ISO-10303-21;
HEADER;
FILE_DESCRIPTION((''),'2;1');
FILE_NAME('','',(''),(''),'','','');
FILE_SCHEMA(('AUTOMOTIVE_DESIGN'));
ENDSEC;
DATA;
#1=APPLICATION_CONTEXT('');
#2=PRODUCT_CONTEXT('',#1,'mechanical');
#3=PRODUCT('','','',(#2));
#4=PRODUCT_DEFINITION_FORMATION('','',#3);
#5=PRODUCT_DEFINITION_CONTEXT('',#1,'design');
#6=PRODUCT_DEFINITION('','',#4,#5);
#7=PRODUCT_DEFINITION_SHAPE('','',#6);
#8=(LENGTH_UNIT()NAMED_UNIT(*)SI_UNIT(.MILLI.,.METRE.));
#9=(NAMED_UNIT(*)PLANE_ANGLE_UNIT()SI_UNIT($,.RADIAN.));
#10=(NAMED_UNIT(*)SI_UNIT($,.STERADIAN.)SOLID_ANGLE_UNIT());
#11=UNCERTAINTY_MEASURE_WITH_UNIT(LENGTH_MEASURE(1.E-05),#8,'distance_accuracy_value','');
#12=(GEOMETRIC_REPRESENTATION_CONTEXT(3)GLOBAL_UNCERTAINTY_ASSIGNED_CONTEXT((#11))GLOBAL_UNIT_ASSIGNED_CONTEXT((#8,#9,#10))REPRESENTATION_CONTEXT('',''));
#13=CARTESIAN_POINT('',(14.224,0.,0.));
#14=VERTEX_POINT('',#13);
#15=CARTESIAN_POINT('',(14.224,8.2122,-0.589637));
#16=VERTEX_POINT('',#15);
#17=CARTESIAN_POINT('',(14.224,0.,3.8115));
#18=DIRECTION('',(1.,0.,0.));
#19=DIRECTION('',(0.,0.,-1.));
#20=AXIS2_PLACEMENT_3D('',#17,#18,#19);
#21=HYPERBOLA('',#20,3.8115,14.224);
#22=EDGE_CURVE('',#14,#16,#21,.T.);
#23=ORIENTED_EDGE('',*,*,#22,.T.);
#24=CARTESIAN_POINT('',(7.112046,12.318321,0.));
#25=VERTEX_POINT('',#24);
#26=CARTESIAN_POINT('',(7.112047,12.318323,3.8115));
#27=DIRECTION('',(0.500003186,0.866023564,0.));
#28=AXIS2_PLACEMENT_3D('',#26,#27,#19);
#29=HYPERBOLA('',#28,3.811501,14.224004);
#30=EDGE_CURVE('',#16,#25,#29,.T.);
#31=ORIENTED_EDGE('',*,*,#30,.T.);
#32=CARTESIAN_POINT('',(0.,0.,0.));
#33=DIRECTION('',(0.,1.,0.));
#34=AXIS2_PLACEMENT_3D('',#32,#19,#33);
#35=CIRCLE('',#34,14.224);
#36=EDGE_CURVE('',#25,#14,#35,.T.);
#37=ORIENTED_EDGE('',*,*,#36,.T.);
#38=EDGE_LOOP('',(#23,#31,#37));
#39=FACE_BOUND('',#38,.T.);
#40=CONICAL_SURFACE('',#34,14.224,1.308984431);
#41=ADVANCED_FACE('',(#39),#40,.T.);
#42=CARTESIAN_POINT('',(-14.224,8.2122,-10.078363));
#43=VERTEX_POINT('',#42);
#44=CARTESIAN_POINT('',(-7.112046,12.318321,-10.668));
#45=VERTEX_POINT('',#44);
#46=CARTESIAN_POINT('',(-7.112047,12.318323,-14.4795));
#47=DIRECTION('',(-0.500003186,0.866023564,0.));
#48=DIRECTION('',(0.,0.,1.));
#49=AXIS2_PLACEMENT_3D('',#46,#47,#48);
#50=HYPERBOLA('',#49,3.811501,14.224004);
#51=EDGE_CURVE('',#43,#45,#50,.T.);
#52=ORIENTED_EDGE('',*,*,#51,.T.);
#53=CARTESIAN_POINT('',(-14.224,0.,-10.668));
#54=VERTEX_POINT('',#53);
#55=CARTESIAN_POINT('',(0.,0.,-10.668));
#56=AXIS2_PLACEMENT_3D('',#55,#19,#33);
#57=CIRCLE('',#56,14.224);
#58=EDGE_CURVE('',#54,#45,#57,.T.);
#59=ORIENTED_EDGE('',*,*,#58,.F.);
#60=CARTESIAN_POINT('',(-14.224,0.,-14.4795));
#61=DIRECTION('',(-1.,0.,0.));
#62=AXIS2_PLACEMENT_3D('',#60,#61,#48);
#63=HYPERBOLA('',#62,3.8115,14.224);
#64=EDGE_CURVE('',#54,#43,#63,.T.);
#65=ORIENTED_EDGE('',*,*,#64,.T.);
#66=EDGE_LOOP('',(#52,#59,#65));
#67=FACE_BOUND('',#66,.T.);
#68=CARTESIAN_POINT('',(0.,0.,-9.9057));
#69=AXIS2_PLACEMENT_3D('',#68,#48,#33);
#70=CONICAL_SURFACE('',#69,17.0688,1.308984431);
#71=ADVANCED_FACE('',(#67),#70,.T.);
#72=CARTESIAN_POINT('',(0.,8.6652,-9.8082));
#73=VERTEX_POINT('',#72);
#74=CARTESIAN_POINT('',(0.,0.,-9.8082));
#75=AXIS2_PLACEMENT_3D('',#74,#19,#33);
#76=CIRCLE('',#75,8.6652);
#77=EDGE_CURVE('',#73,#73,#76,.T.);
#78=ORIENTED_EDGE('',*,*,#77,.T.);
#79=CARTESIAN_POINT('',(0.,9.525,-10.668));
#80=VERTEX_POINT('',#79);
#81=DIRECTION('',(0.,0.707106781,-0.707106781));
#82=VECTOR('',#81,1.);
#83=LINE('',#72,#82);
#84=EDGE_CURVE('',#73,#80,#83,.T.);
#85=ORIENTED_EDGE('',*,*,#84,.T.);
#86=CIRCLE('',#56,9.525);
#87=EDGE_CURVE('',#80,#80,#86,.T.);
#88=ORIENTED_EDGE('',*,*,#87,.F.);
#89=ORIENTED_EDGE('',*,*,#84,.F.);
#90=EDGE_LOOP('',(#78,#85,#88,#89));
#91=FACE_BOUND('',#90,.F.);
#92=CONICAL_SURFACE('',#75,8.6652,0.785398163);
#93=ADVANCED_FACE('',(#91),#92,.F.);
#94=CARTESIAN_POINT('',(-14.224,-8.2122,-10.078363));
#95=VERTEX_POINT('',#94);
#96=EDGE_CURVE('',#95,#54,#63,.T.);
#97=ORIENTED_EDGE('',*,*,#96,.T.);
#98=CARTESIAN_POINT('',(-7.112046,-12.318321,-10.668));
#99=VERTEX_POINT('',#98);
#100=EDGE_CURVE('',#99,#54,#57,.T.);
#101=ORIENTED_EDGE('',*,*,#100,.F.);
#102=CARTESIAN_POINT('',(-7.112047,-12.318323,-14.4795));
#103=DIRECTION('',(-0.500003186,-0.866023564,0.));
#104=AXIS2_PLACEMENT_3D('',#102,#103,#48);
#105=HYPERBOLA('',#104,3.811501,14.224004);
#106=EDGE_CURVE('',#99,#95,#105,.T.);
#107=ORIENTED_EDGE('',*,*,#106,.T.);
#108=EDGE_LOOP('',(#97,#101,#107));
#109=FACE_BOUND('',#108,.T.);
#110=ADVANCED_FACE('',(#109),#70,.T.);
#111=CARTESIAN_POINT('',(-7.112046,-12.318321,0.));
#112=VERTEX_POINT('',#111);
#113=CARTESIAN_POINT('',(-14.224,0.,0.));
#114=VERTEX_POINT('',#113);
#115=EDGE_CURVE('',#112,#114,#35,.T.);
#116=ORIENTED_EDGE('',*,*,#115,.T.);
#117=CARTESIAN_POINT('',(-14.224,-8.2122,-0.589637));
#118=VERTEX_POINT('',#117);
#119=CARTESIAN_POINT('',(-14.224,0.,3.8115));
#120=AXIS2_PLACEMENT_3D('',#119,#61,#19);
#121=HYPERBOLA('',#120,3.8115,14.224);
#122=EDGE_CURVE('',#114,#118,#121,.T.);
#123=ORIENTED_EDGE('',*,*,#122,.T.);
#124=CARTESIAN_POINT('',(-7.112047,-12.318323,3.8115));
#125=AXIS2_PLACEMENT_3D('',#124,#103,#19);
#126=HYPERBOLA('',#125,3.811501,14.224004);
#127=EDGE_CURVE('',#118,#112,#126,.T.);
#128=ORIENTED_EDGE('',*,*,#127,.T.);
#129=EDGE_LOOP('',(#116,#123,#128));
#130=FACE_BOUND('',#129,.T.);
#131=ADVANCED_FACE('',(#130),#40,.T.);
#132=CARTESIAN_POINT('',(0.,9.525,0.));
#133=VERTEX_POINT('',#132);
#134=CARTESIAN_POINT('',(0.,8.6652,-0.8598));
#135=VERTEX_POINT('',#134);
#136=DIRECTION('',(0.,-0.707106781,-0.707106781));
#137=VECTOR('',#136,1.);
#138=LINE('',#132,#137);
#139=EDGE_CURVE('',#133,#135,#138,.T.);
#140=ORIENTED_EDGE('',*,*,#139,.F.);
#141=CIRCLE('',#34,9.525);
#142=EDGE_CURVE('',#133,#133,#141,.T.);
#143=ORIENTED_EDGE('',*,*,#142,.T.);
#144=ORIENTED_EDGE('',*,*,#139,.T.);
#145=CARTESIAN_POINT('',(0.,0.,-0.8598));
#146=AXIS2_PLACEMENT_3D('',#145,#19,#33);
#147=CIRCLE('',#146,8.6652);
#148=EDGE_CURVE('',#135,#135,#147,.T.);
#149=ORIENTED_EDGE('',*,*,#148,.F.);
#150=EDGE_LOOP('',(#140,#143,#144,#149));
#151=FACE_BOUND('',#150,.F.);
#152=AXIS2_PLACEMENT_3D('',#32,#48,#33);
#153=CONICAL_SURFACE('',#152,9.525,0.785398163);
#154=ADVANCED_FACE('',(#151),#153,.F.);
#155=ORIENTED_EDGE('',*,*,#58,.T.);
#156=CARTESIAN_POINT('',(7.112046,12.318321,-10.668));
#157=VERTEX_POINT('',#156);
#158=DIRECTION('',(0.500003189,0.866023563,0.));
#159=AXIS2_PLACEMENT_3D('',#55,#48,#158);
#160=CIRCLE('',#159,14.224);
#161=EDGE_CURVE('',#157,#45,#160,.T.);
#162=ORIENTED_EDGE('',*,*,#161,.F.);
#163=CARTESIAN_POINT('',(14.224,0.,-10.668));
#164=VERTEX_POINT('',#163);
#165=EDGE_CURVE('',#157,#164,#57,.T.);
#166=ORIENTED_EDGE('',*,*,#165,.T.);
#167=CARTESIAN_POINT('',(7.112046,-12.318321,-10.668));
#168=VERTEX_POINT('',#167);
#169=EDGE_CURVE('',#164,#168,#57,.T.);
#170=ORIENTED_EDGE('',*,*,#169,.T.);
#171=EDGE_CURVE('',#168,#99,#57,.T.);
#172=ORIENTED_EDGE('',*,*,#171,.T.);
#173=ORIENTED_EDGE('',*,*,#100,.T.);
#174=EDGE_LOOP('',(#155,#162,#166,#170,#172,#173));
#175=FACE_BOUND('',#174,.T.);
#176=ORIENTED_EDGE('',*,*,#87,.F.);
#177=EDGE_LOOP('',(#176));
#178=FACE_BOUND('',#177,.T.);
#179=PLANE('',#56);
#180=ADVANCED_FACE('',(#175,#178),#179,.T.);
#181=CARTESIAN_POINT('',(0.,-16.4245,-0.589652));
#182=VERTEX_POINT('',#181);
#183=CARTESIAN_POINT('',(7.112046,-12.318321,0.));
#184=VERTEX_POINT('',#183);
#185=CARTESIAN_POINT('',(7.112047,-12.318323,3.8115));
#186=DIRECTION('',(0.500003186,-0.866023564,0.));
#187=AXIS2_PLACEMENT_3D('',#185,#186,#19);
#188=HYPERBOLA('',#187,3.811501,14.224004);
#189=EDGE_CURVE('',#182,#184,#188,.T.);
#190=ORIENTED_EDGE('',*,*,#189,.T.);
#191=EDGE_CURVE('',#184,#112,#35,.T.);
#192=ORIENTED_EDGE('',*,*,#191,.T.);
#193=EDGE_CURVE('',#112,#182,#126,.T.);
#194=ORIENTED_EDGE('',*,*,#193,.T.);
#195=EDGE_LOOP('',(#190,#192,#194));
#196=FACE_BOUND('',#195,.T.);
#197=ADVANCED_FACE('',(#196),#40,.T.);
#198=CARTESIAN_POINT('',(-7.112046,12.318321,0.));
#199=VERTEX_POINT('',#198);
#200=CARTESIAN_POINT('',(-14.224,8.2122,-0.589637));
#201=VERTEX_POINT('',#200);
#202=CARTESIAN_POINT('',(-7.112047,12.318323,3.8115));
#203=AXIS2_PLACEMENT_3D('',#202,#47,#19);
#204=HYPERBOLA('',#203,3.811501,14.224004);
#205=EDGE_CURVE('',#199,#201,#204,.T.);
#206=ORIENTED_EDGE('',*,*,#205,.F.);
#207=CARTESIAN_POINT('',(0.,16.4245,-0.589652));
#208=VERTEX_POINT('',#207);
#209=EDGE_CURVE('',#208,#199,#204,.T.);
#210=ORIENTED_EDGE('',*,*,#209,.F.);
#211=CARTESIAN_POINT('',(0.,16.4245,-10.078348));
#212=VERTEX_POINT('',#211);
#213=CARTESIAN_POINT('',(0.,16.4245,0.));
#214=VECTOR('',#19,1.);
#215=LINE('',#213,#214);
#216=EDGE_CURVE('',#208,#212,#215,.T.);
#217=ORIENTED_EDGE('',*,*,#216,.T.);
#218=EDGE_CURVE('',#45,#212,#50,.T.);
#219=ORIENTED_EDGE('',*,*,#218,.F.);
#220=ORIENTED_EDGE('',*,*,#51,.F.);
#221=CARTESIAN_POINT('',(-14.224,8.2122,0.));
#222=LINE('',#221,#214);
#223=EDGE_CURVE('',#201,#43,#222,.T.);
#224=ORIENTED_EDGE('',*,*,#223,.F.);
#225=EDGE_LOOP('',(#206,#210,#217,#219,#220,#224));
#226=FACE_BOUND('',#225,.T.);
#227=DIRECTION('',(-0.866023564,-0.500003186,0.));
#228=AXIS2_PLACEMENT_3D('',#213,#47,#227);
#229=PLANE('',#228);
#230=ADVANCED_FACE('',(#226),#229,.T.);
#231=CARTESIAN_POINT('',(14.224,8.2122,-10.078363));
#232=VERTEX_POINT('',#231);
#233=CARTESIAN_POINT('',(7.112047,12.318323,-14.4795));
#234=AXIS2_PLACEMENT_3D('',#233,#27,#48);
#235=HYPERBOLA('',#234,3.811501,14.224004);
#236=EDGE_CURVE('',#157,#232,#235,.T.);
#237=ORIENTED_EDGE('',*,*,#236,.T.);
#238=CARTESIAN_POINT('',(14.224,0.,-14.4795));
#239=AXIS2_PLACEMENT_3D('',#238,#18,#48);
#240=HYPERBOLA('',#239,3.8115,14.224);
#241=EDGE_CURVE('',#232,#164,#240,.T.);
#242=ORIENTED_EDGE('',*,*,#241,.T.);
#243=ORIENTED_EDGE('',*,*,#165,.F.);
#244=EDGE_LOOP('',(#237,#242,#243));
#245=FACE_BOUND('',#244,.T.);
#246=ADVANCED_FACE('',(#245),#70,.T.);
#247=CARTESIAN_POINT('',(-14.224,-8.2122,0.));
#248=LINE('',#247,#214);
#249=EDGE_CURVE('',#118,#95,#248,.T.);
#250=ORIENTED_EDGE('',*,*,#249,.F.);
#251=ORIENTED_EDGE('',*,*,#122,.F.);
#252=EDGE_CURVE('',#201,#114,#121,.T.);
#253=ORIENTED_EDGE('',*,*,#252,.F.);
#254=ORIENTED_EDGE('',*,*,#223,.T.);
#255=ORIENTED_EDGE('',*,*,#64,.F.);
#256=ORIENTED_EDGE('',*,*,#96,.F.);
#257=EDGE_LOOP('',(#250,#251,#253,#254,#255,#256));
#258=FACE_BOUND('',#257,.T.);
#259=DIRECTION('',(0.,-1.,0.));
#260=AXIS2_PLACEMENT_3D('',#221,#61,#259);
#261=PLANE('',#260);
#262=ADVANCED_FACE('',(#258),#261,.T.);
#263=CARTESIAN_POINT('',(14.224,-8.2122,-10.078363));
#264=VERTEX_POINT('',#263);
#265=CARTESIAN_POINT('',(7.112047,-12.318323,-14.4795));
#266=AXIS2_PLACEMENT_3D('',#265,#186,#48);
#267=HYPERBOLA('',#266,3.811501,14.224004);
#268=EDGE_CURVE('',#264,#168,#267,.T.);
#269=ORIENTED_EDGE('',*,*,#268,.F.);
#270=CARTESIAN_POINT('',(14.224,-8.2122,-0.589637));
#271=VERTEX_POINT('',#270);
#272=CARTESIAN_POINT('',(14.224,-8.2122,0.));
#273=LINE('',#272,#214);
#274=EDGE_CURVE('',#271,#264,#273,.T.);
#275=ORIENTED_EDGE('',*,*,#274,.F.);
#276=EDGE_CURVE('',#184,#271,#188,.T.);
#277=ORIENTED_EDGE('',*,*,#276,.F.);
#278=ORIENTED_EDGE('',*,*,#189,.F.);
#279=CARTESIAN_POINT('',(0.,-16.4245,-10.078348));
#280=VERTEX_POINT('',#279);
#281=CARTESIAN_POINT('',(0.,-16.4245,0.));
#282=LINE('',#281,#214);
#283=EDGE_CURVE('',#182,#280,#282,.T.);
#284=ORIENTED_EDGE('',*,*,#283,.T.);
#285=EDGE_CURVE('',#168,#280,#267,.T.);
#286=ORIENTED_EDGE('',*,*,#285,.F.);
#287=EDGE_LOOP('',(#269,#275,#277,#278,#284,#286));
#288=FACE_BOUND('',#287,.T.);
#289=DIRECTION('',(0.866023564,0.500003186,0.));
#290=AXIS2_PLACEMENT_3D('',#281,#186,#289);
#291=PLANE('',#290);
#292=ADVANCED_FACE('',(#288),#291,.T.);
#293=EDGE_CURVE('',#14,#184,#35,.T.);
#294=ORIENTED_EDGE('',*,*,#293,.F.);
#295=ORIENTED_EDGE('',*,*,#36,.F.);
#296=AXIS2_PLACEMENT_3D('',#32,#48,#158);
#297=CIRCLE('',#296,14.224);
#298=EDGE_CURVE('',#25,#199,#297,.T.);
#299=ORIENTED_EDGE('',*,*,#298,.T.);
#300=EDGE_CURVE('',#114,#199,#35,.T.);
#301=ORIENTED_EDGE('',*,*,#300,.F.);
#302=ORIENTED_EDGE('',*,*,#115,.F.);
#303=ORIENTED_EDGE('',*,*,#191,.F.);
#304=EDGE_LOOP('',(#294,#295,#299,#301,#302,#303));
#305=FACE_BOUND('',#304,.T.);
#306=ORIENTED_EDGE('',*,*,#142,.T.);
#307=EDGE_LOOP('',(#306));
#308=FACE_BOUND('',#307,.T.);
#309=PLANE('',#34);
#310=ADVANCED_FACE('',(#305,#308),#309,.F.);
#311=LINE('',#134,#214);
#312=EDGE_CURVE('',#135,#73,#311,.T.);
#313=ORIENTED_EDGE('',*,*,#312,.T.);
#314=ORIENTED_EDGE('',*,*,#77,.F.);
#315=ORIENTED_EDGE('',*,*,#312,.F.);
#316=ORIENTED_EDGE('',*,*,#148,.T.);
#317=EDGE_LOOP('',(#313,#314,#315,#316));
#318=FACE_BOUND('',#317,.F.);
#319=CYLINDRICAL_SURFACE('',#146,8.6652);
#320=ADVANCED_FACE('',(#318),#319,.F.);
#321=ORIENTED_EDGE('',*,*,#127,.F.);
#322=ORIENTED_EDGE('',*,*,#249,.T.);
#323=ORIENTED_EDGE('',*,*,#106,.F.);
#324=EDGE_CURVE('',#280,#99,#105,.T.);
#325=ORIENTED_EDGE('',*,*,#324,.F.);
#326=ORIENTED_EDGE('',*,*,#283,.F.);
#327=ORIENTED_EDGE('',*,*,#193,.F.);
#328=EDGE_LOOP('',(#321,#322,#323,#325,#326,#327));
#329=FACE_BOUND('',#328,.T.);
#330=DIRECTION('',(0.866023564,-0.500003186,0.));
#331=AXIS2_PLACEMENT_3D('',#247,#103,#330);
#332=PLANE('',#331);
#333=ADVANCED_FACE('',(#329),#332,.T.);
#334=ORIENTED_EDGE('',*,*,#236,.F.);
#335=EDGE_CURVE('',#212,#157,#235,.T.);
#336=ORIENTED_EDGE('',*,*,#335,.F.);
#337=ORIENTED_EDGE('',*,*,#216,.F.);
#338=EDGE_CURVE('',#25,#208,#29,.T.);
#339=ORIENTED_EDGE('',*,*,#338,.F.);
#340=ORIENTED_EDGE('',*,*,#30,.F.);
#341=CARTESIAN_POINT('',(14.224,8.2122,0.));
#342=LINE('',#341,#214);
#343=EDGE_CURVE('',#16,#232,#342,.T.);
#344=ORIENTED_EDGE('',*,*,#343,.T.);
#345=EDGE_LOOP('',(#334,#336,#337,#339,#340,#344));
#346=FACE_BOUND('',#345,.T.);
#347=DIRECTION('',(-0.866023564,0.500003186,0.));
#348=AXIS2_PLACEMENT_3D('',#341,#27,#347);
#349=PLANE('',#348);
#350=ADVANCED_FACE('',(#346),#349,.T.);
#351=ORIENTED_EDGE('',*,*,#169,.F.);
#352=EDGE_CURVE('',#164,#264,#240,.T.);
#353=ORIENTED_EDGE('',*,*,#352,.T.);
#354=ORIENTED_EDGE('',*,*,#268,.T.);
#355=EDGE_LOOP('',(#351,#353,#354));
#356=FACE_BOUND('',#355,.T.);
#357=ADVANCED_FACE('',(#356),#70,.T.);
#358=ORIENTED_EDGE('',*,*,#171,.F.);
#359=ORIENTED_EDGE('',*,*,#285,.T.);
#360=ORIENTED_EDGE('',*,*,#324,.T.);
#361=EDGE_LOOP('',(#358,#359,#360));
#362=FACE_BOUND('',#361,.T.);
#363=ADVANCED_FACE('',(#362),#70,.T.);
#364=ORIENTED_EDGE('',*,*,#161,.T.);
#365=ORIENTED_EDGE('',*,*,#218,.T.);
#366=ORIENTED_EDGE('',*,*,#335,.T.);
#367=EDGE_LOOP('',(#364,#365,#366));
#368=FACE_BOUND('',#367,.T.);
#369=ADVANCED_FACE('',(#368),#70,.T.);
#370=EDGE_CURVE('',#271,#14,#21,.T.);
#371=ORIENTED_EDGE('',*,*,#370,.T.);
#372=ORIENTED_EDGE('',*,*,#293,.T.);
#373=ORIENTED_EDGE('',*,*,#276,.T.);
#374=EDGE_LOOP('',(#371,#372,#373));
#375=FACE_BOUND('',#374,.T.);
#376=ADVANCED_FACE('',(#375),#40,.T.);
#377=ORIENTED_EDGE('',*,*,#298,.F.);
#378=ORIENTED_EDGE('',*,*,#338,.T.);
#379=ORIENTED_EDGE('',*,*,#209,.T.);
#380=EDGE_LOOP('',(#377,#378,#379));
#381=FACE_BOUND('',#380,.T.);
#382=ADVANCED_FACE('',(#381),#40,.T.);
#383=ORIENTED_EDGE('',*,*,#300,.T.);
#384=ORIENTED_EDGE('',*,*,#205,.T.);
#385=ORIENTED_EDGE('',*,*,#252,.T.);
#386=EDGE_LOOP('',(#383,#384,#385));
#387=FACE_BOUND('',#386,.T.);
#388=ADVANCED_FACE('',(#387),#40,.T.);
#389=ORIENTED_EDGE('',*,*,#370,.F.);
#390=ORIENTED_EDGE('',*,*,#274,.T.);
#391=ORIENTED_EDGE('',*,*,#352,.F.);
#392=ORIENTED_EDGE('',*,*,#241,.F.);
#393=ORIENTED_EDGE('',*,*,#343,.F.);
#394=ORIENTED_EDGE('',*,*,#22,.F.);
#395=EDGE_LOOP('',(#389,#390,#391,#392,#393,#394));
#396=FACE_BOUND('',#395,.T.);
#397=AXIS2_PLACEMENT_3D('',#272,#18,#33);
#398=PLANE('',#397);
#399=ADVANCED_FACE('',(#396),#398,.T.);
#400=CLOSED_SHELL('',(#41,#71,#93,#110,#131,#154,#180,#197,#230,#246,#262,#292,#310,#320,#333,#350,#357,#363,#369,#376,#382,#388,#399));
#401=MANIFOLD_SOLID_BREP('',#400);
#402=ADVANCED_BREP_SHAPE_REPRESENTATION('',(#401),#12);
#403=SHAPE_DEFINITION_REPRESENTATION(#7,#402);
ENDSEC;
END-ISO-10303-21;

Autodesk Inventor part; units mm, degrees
sketch "Sketch_8" plane through (0, 0, 0) normal (1, 0, 0) x (0, 1, 0)
  line L0 (0, -10.668) -> (0, 0)
  line L1 (0, 0) -> (14.224, 0)
  line L2 (14.224, 0) -> (17.0688, -0.7623)
  line L3 (17.0688, -0.7623) -> (17.0688, -9.9057)
  line L4 (17.0688, -9.9057) -> (14.224, -10.668)
  line L5 (14.224, -10.668) -> (0, -10.668)
  line L6 (0, -10.668) -> (0, 0)
sketch "Sketch_10" plane through (0, 0, 0) normal (0, 0, 1) x (1, 0, 0)
  line L0 (-28.448, -28.448) -> (28.448, -28.448)
  line L1 (28.448, -28.448) -> (28.448, 28.448)
  line L2 (28.448, 28.448) -> (-28.448, 28.448)
  line L3 (-28.448, 28.448) -> (-28.448, -28.448)
  line L4 (-14.224, -8.2122) -> (0, -16.4245)
  line L5 (0, -16.4245) -> (14.224, -8.2122)
  line L6 (14.224, -8.2122) -> (14.224, 8.2122)
  line L7 (14.224, 8.2122) -> (0, 16.4245)
  line L8 (0, 16.4245) -> (-14.224, 8.2122)
  line L9 (-14.224, 8.2122) -> (-14.224, -8.2122)
revolve "Revolution1" add sketch "Sketch_8" angle 360 about axis through (0, 0, -10.668) along (0, 0, -1)
extrude "Extrusion1" cut sketch "Sketch_10" against normal blind 10.668
sketch "Sketch_11" plane through (0, 0, 0) normal (1, 0, 0) x (0, 1, 0)
  line L0 (0, -10.668) -> (0, 0)
  line L1 (0, 0) -> (9.525, 0)
  line L2 (9.525, 0) -> (8.6652, -0.8598)
  line L3 (8.6652, -0.8598) -> (8.6652, -9.8082)
  line L4 (8.6652, -9.8082) -> (9.525, -10.668)
  line L5 (9.525, -10.668) -> (0, -10.668)
  line L6 (0, -10.668) -> (0, 0)
revolve "Revolution2" cut sketch "Sketch_11" angle 360 about axis through (0, 0, -10.668) along (0, 0, -1)
thread "Thread1" size "3/4-16 UNF" class "2B" standard "ANSI Unified Screw Threads" full length
ref_plane "NUT_XY" through (0, 0, 0) normal (0, 0, 1) x (1, 0, 0)
ref_plane "NUT_YZ" through (0, 0, 0) normal (1, 0, 0) x (0, 1, 0)
ref_plane "NUT_ZX" through (0, 0, 0) normal (0, 1, 0) x (0, 0, 1)
ref_plane "a1_XY" through (-14.224, 14.224, 0) normal (0, 0, 1) x (1, 0, 0)
ref_plane "a1_YZ" through (-14.224, 14.224, 0) normal (1, 0, 0) x (0, 1, 0)
ref_plane "a1_ZX" through (-14.224, 14.224, 0) normal (0, 1, 0) x (0, 0, 1)
ref_plane "a2_XY" through (14.224, 14.224, 0) normal (0, 0, 1) x (1, 0, 0)
ref_plane "a2_YZ" through (14.224, 14.224, 0) normal (1, 0, 0) x (0, 1, 0)
ref_plane "a2_ZX" through (14.224, 14.224, 0) normal (0, 1, 0) x (0, 0, 1)
ref_plane "b1_XY" through (0, 14.224, 0) normal (1, 0, 0) x (0, 0, -1)
ref_plane "b1_YZ" through (0, 14.224, 0) normal (0, 0, -1) x (0, 1, 0)
ref_plane "b1_ZX" through (0, 14.224, 0) normal (0, 1, 0) x (1, 0, 0)
ref_plane "b2_XY" through (0, 14.224, -10.668) normal (1, 0, 0) x (0, 0, -1)
ref_plane "b2_YZ" through (0, 14.224, -10.668) normal (0, 0, -1) x (0, 1, 0)
ref_plane "b2_ZX" through (0, 14.224, -10.668) normal (0, 1, 0) x (1, 0, 0)
ref_plane "e_XY" through (0, 0, -10.668) normal (1, 0, 0) x (0, 0, -1)
ref_plane "e_YZ" through (0, 0, -10.668) normal (0, 0, -1) x (0, 1, 0)
ref_plane "e_ZX" through (0, 0, -10.668) normal (0, 1, 0) x (1, 0, 0)
ref_plane "ol1_XY" through (0, 0, -14.224) normal (0, 1, 0) x (1, 0, 0)
ref_plane "ol1_YZ" through (0, 0, -14.224) normal (1, 0, 0) x (0, 0, -1)
ref_plane "ol1_ZX" through (0, 0, -14.224) normal (0, 0, -1) x (0, 1, 0)
ref_plane "ol2_XY" through (10.668, 0, -14.224) normal (0, 1, 0) x (1, 0, 0)
ref_plane "ol2_YZ" through (10.668, 0, -14.224) normal (1, 0, 0) x (0, 0, -1)
ref_plane "ol2_ZX" through (10.668, 0, -14.224) normal (0, 0, -1) x (0, 1, 0)
ref_plane "th1_XY" through (0, 9.525, -10.668) normal (1, 0, 0) x (0, 0, -1)
ref_plane "th1_YZ" through (0, 9.525, -10.668) normal (0, 0, -1) x (0, 1, 0)
ref_plane "th1_ZX" through (0, 9.525, -10.668) normal (0, 1, 0) x (1, 0, 0)
ref_plane "th2_XY" through (0, -9.525, -10.668) normal (1, 0, 0) x (0, 0, -1)
ref_plane "th2_YZ" through (0, -9.525, -10.668) normal (0, 0, -1) x (0, 1, 0)
ref_plane "th2_ZX" through (0, -9.525, -10.668) normal (0, 1, 0) x (1, 0, 0)
properties part number "D-3556"
